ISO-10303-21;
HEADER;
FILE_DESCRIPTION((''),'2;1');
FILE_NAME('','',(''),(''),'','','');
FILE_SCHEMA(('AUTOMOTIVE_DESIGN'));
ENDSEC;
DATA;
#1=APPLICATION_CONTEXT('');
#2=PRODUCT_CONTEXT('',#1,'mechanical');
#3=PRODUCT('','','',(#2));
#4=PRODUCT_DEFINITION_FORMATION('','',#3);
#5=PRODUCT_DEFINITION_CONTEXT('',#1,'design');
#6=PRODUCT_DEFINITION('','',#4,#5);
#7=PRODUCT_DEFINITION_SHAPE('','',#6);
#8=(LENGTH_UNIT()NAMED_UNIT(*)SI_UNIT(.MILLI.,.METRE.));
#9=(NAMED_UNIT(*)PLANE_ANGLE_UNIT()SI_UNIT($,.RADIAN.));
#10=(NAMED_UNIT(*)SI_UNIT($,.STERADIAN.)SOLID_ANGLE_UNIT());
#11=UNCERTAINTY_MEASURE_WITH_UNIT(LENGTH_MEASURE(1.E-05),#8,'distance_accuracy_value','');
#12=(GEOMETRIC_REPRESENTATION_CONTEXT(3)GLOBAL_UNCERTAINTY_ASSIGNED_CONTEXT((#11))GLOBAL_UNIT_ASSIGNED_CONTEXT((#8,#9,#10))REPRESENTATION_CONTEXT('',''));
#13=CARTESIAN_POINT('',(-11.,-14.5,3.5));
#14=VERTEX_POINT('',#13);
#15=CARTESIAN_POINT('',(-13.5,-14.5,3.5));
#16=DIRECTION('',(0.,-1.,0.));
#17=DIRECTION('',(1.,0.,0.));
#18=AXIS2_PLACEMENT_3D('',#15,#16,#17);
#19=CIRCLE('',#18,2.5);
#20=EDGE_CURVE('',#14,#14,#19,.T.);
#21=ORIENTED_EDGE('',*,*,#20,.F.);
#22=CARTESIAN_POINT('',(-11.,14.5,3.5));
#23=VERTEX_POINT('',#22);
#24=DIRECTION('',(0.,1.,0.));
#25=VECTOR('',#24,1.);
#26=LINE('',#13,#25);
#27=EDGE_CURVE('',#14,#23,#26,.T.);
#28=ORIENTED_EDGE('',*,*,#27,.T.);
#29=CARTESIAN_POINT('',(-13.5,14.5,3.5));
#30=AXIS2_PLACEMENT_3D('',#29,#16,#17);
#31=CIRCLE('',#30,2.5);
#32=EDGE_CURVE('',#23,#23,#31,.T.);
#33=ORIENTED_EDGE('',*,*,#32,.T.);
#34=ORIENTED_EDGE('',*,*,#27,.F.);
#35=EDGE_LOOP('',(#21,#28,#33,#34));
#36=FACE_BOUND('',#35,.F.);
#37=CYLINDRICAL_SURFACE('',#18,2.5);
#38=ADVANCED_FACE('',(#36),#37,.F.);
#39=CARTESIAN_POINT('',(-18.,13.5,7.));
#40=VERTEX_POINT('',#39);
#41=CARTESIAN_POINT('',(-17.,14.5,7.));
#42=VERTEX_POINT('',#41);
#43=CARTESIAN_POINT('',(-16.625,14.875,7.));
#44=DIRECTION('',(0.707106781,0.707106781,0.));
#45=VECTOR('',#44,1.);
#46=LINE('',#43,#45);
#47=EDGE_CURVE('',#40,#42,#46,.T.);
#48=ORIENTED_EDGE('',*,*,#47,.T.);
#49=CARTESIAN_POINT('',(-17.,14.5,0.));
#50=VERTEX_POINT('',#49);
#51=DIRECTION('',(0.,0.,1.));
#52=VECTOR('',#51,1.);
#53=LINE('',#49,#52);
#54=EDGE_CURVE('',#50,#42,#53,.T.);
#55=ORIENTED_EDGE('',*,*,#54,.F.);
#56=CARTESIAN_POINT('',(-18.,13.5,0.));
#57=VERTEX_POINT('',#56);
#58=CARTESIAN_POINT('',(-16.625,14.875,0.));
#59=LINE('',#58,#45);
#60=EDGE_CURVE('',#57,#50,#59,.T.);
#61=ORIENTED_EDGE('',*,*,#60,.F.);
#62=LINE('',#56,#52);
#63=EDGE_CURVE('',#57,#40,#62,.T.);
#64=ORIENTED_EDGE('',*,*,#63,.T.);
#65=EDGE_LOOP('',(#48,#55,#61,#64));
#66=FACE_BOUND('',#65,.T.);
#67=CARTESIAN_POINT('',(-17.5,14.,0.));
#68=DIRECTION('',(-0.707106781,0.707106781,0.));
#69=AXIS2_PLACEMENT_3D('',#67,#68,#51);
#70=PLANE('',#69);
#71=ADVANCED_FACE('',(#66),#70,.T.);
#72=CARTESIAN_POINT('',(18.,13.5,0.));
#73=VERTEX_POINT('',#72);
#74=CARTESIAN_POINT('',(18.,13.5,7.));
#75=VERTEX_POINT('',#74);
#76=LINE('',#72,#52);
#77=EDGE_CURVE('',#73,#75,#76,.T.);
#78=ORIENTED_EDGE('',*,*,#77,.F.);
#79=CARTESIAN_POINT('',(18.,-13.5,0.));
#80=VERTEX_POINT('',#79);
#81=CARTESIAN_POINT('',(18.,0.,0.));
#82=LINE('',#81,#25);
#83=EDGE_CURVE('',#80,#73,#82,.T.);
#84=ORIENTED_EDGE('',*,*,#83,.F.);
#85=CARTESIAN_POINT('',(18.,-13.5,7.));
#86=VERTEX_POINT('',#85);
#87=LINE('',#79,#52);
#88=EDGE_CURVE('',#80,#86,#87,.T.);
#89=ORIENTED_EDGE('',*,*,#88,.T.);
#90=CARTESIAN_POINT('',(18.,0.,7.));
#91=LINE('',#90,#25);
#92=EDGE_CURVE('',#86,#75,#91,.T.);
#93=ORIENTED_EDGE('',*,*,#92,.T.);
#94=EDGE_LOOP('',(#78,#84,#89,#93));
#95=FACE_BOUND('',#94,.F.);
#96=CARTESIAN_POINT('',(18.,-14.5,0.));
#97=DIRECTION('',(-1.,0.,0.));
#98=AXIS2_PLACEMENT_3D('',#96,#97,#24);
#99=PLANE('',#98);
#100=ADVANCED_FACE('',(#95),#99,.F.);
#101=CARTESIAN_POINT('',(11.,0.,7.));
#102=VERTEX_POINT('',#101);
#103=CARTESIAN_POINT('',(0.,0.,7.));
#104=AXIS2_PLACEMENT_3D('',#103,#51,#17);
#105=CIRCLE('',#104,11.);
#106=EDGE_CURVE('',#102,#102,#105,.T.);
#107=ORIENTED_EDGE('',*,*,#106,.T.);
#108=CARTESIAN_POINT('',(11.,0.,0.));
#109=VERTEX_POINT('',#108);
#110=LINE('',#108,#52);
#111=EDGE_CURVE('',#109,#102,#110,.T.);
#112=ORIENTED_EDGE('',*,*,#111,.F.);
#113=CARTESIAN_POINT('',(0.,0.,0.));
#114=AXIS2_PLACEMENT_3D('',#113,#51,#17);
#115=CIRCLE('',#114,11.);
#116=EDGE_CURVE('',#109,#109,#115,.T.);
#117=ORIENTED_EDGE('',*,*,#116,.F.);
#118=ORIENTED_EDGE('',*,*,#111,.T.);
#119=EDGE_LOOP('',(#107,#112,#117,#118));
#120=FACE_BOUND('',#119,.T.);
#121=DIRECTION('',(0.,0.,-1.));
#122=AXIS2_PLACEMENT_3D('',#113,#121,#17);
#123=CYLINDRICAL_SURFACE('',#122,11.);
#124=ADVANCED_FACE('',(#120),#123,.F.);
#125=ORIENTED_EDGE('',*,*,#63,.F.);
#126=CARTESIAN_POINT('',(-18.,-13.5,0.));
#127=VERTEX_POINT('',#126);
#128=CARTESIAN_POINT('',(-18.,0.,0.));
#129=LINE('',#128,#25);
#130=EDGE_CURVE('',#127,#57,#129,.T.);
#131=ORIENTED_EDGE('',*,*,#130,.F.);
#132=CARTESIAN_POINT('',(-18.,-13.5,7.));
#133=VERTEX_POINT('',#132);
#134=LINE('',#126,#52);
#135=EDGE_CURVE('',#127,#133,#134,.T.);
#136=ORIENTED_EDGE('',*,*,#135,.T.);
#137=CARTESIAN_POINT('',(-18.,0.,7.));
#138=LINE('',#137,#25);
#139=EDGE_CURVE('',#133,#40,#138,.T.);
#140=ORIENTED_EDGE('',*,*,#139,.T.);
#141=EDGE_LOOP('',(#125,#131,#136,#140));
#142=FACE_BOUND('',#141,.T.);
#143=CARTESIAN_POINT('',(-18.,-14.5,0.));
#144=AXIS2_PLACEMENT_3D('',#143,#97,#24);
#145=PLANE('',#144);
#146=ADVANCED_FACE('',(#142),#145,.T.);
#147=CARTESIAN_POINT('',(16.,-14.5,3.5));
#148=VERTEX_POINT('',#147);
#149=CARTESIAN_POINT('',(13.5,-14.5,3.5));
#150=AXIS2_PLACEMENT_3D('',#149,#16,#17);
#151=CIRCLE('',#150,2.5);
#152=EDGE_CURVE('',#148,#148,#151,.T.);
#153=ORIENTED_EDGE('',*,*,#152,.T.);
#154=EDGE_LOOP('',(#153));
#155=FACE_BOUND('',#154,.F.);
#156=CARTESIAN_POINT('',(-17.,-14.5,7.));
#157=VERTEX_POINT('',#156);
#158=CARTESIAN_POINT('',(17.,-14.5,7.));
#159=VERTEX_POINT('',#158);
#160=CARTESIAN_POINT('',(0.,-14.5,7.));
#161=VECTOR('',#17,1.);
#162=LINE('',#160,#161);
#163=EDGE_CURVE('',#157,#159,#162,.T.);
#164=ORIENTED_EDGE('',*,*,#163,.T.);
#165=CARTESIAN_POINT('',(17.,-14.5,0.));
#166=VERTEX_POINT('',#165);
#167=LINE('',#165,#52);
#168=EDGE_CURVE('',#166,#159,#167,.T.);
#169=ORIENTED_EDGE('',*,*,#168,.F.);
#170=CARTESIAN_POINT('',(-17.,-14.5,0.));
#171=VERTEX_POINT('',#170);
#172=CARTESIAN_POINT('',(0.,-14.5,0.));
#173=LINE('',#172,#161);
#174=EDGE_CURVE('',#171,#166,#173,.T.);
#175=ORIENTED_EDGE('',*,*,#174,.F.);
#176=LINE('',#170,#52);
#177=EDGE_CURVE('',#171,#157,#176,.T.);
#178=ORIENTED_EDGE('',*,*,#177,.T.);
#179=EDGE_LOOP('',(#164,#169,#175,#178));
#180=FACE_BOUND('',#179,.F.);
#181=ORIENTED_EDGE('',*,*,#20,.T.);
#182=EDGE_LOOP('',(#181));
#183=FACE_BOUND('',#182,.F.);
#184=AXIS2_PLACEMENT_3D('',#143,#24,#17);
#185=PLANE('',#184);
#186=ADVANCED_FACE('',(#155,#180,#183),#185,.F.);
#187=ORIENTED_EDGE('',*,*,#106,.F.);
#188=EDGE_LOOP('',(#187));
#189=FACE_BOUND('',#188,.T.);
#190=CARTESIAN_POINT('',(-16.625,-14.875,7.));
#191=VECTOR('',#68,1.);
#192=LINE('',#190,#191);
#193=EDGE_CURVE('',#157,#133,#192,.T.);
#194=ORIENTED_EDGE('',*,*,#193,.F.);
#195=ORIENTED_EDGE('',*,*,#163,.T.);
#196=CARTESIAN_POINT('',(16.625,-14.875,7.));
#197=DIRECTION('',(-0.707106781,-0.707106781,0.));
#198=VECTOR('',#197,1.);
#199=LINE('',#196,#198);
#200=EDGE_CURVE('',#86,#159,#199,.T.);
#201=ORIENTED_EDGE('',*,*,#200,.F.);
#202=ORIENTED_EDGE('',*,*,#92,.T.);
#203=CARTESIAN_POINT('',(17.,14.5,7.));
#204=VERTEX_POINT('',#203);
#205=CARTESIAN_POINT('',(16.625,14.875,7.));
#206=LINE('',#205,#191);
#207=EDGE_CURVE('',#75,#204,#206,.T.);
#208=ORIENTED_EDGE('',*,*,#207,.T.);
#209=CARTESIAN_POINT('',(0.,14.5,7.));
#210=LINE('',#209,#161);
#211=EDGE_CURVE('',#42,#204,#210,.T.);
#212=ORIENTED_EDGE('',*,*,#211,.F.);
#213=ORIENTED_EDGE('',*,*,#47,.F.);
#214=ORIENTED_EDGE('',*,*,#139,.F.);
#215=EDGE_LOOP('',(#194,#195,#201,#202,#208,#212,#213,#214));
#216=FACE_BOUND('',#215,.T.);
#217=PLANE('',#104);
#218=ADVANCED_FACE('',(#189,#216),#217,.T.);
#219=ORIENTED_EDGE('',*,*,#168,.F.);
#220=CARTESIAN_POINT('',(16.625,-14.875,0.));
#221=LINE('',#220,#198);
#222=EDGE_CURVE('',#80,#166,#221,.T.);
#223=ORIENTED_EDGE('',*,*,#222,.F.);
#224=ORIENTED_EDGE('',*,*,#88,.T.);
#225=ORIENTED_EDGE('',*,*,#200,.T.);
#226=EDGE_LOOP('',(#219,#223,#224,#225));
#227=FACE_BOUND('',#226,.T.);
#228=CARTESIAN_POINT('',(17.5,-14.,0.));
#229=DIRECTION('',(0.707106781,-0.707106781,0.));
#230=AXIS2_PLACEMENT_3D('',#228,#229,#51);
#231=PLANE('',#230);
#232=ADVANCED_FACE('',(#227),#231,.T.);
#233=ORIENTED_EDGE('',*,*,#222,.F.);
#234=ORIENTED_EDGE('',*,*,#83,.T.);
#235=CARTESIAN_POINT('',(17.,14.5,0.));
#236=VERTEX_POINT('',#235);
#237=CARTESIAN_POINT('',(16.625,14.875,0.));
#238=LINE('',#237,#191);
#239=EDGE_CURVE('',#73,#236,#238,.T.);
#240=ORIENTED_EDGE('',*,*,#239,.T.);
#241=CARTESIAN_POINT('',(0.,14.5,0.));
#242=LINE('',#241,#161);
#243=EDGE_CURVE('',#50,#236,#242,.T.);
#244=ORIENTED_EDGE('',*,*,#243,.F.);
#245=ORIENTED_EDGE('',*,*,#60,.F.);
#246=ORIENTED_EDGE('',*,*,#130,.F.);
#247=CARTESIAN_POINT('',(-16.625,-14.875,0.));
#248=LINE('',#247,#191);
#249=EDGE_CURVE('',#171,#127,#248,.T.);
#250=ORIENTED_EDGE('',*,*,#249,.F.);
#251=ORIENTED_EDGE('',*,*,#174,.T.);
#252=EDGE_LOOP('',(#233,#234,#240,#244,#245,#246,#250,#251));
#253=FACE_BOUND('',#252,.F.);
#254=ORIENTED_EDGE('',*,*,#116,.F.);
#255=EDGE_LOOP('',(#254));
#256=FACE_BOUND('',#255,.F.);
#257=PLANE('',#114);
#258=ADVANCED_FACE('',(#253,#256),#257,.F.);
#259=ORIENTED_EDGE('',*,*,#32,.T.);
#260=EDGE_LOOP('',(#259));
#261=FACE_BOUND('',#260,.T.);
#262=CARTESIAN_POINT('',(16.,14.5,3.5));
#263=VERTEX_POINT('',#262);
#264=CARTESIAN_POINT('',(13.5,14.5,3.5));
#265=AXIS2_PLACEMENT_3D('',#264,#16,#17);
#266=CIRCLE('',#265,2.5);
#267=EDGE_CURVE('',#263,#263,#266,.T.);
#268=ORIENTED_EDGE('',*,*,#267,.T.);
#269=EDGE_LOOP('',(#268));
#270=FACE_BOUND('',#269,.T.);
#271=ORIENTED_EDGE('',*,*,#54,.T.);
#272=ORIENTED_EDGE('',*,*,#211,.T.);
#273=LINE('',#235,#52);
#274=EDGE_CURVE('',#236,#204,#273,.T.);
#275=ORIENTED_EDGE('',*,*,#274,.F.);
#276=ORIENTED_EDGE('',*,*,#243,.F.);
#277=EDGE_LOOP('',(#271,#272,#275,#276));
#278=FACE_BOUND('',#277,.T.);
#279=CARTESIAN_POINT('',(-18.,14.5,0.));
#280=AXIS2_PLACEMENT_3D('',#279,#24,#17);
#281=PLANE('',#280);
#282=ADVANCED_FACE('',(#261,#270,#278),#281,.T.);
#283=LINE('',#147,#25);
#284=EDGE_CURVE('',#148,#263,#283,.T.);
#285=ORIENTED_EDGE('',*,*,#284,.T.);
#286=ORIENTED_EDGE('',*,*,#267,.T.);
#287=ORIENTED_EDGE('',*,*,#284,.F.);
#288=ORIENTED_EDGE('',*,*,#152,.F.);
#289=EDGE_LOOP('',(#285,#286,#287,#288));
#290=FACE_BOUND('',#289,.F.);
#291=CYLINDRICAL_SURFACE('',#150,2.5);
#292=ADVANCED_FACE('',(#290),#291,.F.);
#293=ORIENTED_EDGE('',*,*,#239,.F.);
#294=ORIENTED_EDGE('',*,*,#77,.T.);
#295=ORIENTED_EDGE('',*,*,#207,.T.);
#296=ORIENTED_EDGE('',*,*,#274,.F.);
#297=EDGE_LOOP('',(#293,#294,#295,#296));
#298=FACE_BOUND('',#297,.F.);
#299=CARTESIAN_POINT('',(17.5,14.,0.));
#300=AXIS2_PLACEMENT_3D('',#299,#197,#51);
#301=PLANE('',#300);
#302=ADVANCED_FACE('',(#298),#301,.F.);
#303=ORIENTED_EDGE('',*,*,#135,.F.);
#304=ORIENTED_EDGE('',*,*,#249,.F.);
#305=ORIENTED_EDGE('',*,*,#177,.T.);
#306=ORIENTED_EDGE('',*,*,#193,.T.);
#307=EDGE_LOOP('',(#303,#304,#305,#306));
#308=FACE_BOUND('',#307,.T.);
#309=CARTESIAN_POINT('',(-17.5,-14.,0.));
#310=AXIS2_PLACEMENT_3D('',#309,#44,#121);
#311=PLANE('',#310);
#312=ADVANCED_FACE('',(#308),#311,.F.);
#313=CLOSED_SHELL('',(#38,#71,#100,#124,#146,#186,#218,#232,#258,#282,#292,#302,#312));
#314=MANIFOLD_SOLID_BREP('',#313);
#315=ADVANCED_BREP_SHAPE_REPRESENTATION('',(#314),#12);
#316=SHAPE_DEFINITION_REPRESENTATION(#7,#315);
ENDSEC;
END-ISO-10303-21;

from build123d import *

# Parameters (mm, degrees)
SKETCH_W        = 36
SKETCH_H        = 29
SKETCH_R        = 11
PAD_DEPTH       = 7
SKETCH001_R     = 2.5
POCKET_DEPTH    = 29.001
CHAMFER_SIZE    = 1
CHAMFER001_SIZE = 1
CHAMFER002_SIZE = 1


with BuildPart() as part:
    # Sketch → Pad (new body)
    with BuildSketch(Plane.XY):
        Rectangle(SKETCH_W, SKETCH_H)
        Circle(SKETCH_R, mode=Mode.SUBTRACT)
    extrude(amount=PAD_DEPTH)

    # Sketch001 (on Face3 of Pad) → Pocket (cut, through all)
    with BuildSketch(Plane.XZ.offset(14.5)):
        with Locations((13.5, 3.5)):
            Circle(SKETCH001_R)
        with Locations((-13.5, 3.5)):
            Circle(SKETCH001_R)
    extrude(amount=-POCKET_DEPTH, mode=Mode.SUBTRACT)

    # Chamfer
    chamfer_edges = [part.edges().sort_by_distance(p)[0] for p in [
        (18, -14.5, 3.5),
    ]]
    chamfer(chamfer_edges, length=CHAMFER_SIZE)

    # Chamfer001
    chamfer001_edges = [part.edges().sort_by_distance(p)[0] for p in [
        (-18, -14.5, 3.5),
    ]]
    chamfer(chamfer001_edges, length=CHAMFER001_SIZE)

    # Chamfer002
    chamfer002_edges = [part.edges().sort_by_distance(p)[0] for p in [
        (18, 14.5, 3.5),
        (-18, 14.5, 3.5),
    ]]
    chamfer(chamfer002_edges, length=CHAMFER002_SIZE)


solid = part.part
